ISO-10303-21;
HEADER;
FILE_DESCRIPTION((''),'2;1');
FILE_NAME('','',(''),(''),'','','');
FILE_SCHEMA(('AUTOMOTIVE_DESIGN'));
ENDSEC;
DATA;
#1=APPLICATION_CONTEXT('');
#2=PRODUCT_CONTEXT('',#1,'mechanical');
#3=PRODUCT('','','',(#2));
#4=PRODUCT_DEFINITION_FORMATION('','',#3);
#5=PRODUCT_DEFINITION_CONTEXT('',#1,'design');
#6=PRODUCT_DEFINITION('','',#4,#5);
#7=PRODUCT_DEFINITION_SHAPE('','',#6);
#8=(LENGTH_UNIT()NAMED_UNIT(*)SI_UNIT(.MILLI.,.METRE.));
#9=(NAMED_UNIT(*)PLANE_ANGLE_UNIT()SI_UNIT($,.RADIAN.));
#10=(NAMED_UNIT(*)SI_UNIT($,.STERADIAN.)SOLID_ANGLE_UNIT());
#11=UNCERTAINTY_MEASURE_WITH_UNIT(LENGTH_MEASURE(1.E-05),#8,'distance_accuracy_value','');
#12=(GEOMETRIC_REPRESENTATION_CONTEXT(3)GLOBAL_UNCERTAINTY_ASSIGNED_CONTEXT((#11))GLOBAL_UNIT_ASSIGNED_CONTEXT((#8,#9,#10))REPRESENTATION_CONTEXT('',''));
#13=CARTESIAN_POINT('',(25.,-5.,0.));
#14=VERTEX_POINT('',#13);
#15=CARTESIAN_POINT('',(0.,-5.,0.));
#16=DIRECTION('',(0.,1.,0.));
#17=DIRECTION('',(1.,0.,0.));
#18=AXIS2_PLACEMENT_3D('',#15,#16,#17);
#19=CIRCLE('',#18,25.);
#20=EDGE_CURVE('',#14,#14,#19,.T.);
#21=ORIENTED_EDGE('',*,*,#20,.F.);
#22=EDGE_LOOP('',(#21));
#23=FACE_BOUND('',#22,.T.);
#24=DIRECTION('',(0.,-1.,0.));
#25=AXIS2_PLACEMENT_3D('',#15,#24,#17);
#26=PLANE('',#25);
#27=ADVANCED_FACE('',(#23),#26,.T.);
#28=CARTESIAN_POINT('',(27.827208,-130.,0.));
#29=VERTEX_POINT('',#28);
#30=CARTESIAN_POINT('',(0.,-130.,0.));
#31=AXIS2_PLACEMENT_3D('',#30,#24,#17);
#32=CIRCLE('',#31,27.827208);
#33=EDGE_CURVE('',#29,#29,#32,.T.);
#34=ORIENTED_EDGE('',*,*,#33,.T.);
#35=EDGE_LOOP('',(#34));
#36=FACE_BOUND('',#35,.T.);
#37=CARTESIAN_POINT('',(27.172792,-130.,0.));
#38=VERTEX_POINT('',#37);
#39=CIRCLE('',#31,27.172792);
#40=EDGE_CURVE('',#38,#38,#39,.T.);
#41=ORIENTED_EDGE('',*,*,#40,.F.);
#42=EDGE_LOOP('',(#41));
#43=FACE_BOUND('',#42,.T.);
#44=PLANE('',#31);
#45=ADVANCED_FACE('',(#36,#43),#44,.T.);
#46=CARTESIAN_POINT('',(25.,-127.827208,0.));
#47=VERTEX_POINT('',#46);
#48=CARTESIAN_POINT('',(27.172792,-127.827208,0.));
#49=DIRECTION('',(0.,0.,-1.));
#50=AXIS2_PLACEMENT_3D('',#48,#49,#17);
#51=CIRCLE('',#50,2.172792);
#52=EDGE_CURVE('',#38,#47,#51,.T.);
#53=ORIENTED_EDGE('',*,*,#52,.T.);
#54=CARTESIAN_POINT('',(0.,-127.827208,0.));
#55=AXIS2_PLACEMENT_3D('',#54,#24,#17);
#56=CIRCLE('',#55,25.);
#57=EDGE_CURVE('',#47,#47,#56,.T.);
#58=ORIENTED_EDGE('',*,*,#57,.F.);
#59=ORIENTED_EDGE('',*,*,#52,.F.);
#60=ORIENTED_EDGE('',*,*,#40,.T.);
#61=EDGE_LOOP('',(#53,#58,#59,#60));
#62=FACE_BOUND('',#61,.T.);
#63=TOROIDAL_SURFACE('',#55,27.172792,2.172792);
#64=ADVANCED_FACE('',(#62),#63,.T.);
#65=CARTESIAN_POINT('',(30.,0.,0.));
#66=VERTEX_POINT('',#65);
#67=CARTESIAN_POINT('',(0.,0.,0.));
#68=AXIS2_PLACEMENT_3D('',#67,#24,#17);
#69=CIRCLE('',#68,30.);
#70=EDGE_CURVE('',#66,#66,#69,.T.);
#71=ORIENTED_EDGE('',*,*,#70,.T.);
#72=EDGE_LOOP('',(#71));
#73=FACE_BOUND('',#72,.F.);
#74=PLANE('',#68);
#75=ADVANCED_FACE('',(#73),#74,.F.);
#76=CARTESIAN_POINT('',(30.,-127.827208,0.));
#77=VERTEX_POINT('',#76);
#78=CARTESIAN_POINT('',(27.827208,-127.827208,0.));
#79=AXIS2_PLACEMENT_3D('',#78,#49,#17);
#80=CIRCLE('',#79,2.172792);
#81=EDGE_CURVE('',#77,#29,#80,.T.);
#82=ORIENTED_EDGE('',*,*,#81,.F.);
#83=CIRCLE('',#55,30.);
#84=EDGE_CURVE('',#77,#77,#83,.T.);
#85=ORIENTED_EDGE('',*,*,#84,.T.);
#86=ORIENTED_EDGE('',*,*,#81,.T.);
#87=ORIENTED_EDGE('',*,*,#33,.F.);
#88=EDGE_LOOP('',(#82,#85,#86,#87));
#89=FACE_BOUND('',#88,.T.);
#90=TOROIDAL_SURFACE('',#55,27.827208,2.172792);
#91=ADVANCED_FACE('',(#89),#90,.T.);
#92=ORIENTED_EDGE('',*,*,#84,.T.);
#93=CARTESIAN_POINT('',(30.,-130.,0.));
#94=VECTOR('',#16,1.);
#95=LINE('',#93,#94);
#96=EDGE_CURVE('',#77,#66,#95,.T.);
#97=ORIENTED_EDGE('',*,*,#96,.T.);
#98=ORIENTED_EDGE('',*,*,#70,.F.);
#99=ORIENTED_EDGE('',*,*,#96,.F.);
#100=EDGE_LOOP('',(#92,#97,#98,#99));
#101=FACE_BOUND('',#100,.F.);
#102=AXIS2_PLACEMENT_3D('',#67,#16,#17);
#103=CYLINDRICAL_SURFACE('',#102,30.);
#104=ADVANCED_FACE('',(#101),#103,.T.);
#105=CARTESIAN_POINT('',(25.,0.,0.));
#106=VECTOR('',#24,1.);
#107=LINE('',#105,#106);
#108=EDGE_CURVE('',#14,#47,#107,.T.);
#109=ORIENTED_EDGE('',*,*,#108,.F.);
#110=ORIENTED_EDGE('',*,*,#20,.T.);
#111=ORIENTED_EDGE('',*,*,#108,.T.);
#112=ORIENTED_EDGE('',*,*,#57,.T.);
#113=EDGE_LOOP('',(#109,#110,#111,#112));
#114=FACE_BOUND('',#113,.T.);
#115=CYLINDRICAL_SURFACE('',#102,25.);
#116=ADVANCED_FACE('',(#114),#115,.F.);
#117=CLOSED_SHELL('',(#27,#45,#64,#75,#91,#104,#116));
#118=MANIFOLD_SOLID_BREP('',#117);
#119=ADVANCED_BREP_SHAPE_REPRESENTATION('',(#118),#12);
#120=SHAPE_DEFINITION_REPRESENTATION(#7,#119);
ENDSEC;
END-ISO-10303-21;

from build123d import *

# Parameters (mm, degrees)
F0_R     = 30
F0_R_2   = 25
F1_DEPTH = 5
F2_DEPTH = 130
F3_R     = 2.172792
F4_R     = 2.172792


with BuildPart() as f1:
    # F0 (on Front) → F1 (new body)
    with BuildSketch(Plane.XZ):
        Circle(F0_R)
        Circle(F0_R_2, mode=Mode.SUBTRACT)
        Circle(F0_R_2)
    extrude(amount=F1_DEPTH)

    # F0 (on Front) → F2 (join)
    with BuildSketch(Plane.XZ):
        Circle(F0_R)
        Circle(F0_R_2, mode=Mode.SUBTRACT)
    extrude(amount=F2_DEPTH)

    # F3
    f3_edges = [f1.edges().sort_by_distance(p)[0] for p in [
        (-30, -130, 0),
    ]]
    fillet(f3_edges, radius=F3_R)

    # F4
    f4_edges = [f1.edges().sort_by_distance(p)[0] for p in [
        (-25, -130, 0),
    ]]
    fillet(f4_edges, radius=F4_R)


solid = f1.part
